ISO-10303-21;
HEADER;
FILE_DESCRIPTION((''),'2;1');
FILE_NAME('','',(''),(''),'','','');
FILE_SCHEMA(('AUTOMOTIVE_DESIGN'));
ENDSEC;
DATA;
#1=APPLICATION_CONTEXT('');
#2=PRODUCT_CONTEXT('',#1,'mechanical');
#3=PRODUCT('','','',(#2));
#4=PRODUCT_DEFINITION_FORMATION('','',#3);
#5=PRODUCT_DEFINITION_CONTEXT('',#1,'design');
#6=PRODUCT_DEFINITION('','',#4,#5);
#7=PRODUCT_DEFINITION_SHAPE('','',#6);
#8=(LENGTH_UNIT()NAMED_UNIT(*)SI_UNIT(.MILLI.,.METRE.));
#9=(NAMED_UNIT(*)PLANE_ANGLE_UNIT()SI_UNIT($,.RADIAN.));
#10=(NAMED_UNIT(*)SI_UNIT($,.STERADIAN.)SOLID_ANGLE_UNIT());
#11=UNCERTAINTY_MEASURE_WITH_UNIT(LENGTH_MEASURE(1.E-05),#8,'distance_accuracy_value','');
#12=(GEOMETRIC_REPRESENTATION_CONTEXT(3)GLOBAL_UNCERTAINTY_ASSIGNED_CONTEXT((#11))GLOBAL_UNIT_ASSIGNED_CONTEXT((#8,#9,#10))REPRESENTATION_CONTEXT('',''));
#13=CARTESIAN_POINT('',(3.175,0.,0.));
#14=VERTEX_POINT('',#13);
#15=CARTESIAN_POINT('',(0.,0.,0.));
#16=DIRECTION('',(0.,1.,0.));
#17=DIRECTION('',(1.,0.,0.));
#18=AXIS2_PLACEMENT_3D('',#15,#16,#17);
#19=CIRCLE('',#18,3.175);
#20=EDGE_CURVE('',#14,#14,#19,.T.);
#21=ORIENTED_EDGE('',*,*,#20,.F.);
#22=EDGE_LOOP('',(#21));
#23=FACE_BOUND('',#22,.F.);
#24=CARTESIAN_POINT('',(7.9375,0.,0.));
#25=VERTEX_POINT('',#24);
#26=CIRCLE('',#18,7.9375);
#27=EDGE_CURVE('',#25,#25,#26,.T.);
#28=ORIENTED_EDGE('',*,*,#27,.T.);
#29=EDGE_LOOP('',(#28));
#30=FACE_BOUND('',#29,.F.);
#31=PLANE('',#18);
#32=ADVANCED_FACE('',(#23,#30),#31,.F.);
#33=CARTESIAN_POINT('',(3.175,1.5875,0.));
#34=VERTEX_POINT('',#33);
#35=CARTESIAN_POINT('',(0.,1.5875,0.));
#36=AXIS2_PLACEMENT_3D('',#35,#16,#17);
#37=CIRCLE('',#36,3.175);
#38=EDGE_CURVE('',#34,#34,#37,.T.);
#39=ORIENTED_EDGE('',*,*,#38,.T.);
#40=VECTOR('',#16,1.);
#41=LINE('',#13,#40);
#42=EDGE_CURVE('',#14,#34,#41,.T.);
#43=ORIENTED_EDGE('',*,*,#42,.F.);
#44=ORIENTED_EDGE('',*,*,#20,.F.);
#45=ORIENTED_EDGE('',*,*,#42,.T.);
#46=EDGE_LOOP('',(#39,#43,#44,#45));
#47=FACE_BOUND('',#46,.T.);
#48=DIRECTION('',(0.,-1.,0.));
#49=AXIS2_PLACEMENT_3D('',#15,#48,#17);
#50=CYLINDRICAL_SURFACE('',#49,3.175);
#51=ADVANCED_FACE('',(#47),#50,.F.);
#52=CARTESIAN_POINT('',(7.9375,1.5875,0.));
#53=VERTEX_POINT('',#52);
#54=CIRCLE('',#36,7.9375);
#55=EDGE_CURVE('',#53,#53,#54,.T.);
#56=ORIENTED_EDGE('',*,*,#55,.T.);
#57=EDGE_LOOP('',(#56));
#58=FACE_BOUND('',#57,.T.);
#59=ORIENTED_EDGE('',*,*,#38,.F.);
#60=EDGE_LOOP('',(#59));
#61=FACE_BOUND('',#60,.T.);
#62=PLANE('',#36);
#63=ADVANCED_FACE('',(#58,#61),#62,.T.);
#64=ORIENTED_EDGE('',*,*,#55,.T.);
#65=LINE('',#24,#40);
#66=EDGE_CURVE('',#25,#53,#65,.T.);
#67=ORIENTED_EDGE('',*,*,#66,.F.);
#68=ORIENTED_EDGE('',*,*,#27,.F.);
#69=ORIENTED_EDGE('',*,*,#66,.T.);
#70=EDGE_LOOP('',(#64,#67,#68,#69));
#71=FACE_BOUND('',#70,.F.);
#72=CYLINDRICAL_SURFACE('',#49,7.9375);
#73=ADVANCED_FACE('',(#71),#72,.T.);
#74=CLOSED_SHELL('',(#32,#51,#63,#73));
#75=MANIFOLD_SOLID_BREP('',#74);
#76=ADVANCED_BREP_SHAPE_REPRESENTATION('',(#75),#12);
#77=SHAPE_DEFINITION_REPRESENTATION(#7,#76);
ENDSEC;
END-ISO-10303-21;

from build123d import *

# Parameters (mm, degrees)
SKETCH1_R           = 7.9375
SKETCH1_R_2         = 3.175
BOSS_EXTRUDE1_DEPTH = 1.5875


with BuildPart() as part:
    # Sketch1 → Boss-Extrude1 (new body)
    with BuildSketch(Plane(origin=(0, 0, 0), x_dir=(1, 0, 0), z_dir=(0, 1, 0))):
        Circle(SKETCH1_R)
        Circle(SKETCH1_R_2, mode=Mode.SUBTRACT)
    extrude(amount=BOSS_EXTRUDE1_DEPTH)


solid = part.part
